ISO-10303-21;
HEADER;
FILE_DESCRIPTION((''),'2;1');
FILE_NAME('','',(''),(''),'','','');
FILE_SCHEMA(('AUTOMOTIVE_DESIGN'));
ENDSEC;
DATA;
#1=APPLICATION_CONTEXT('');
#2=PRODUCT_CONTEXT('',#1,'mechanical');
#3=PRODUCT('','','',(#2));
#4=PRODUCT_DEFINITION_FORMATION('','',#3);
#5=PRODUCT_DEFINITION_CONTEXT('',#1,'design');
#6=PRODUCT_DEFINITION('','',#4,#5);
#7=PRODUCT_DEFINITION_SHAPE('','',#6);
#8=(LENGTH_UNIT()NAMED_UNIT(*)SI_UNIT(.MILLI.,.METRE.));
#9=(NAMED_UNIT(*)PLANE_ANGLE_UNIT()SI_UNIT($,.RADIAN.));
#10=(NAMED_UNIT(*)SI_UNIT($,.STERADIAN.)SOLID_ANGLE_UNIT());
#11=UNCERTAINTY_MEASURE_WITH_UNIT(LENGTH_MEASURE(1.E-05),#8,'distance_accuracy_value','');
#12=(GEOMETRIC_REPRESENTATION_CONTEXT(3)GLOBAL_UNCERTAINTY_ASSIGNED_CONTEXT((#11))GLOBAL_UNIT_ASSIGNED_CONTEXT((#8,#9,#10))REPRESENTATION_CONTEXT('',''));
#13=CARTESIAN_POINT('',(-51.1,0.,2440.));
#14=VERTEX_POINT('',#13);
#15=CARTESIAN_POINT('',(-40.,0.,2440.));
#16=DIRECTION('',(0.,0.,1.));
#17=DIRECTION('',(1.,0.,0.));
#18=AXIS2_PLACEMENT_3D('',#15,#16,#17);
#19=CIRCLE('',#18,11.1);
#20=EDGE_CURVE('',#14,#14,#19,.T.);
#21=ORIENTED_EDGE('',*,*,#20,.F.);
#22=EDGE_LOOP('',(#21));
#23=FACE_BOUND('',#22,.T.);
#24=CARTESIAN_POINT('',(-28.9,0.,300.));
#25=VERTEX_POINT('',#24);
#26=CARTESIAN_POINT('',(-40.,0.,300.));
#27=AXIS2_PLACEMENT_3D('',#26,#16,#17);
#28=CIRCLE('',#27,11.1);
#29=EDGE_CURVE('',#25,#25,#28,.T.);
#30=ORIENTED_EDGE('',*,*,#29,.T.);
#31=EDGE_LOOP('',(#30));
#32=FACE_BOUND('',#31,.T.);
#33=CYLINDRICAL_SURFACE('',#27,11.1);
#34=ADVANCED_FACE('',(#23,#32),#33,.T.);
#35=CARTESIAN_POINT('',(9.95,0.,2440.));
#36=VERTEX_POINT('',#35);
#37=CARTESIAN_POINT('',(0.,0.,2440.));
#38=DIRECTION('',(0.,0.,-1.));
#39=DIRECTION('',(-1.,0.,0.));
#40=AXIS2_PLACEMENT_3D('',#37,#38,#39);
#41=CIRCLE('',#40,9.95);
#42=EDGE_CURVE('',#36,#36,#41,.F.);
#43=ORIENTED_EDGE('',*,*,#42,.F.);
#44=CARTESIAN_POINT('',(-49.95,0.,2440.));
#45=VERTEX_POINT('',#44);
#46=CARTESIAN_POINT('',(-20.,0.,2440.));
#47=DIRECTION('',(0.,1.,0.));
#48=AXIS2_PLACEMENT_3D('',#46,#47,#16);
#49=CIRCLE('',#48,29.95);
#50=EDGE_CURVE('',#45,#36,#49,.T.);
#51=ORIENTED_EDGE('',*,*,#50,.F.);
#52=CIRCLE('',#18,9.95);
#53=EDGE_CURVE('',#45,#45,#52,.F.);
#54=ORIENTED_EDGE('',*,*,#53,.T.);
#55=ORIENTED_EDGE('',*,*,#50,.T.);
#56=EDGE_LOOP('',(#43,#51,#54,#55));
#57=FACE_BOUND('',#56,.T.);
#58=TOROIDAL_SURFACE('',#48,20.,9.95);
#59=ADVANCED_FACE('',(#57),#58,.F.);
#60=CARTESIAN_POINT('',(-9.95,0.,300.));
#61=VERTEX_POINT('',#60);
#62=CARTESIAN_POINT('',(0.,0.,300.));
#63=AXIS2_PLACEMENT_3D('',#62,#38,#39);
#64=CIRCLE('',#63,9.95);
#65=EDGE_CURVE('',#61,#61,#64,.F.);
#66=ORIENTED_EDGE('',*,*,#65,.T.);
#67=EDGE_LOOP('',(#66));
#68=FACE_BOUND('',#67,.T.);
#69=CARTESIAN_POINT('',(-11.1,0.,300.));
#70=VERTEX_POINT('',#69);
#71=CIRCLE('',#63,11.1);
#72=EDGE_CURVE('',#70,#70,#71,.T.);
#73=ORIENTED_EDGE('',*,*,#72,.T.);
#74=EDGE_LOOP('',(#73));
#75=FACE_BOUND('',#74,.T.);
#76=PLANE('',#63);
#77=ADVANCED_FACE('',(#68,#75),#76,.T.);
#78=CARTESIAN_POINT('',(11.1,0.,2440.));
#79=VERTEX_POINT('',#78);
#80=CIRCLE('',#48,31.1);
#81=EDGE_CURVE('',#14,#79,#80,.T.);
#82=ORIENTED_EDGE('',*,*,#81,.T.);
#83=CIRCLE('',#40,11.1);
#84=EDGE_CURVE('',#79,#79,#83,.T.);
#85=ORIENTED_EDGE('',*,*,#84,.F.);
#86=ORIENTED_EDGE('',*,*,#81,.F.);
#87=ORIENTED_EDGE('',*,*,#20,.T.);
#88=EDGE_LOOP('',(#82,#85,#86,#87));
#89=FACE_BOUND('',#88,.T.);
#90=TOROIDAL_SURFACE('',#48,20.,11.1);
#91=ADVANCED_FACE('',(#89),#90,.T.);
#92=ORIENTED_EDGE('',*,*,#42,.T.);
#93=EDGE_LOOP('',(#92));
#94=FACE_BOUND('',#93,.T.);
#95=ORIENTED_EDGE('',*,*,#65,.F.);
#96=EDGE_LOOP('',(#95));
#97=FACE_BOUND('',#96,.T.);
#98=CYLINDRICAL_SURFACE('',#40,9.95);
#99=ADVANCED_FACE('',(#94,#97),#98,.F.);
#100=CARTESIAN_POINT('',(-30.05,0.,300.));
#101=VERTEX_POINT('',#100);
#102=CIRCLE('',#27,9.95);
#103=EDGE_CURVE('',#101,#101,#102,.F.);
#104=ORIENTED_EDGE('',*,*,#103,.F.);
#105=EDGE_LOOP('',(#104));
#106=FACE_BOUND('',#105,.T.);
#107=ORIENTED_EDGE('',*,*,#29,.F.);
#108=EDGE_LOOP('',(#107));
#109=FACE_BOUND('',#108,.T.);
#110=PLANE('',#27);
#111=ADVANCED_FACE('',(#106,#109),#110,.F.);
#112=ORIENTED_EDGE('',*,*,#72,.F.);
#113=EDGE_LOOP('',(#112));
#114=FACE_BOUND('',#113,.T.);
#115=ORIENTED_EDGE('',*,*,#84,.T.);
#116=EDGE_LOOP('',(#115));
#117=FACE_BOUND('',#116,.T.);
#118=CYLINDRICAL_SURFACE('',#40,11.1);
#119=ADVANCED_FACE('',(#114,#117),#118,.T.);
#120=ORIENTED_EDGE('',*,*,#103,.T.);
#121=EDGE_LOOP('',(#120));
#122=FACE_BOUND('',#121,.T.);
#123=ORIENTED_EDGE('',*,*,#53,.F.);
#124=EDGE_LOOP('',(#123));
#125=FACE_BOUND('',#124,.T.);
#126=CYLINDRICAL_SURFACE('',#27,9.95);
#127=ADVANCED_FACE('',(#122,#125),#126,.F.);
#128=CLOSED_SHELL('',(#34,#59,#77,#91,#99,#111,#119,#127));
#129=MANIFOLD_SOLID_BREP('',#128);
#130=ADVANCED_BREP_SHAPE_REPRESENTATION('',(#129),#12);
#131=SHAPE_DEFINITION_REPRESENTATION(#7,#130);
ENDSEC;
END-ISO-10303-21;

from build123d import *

# Parameters (mm, degrees)
SKETCH2_R   = 11.1
SKETCH2_R_2 = 9.95


with BuildPart() as part:
    # Sweep1: sweep along a path in Sketch1
    with BuildLine(Plane(origin=(0, 0, 0), x_dir=(1, 0, 0), z_dir=(0, 1, 0))) as sweep1_path:
        Line((0, -300), (0, -2440))
        ThreePointArc((0, -2440), (-20, -2460), (-40, -2440))
        Line((-40, -2440), (-40, -300))
    # Sketch2 → Sweep1 (sweep)
    with BuildSketch(Plane(origin=(0, 0, 300), x_dir=(-1, 0, 0), z_dir=(0, 0, -1))):
        Circle(SKETCH2_R)
        Circle(SKETCH2_R_2, mode=Mode.SUBTRACT)
    sweep(path=sweep1_path.line)


solid = part.part
